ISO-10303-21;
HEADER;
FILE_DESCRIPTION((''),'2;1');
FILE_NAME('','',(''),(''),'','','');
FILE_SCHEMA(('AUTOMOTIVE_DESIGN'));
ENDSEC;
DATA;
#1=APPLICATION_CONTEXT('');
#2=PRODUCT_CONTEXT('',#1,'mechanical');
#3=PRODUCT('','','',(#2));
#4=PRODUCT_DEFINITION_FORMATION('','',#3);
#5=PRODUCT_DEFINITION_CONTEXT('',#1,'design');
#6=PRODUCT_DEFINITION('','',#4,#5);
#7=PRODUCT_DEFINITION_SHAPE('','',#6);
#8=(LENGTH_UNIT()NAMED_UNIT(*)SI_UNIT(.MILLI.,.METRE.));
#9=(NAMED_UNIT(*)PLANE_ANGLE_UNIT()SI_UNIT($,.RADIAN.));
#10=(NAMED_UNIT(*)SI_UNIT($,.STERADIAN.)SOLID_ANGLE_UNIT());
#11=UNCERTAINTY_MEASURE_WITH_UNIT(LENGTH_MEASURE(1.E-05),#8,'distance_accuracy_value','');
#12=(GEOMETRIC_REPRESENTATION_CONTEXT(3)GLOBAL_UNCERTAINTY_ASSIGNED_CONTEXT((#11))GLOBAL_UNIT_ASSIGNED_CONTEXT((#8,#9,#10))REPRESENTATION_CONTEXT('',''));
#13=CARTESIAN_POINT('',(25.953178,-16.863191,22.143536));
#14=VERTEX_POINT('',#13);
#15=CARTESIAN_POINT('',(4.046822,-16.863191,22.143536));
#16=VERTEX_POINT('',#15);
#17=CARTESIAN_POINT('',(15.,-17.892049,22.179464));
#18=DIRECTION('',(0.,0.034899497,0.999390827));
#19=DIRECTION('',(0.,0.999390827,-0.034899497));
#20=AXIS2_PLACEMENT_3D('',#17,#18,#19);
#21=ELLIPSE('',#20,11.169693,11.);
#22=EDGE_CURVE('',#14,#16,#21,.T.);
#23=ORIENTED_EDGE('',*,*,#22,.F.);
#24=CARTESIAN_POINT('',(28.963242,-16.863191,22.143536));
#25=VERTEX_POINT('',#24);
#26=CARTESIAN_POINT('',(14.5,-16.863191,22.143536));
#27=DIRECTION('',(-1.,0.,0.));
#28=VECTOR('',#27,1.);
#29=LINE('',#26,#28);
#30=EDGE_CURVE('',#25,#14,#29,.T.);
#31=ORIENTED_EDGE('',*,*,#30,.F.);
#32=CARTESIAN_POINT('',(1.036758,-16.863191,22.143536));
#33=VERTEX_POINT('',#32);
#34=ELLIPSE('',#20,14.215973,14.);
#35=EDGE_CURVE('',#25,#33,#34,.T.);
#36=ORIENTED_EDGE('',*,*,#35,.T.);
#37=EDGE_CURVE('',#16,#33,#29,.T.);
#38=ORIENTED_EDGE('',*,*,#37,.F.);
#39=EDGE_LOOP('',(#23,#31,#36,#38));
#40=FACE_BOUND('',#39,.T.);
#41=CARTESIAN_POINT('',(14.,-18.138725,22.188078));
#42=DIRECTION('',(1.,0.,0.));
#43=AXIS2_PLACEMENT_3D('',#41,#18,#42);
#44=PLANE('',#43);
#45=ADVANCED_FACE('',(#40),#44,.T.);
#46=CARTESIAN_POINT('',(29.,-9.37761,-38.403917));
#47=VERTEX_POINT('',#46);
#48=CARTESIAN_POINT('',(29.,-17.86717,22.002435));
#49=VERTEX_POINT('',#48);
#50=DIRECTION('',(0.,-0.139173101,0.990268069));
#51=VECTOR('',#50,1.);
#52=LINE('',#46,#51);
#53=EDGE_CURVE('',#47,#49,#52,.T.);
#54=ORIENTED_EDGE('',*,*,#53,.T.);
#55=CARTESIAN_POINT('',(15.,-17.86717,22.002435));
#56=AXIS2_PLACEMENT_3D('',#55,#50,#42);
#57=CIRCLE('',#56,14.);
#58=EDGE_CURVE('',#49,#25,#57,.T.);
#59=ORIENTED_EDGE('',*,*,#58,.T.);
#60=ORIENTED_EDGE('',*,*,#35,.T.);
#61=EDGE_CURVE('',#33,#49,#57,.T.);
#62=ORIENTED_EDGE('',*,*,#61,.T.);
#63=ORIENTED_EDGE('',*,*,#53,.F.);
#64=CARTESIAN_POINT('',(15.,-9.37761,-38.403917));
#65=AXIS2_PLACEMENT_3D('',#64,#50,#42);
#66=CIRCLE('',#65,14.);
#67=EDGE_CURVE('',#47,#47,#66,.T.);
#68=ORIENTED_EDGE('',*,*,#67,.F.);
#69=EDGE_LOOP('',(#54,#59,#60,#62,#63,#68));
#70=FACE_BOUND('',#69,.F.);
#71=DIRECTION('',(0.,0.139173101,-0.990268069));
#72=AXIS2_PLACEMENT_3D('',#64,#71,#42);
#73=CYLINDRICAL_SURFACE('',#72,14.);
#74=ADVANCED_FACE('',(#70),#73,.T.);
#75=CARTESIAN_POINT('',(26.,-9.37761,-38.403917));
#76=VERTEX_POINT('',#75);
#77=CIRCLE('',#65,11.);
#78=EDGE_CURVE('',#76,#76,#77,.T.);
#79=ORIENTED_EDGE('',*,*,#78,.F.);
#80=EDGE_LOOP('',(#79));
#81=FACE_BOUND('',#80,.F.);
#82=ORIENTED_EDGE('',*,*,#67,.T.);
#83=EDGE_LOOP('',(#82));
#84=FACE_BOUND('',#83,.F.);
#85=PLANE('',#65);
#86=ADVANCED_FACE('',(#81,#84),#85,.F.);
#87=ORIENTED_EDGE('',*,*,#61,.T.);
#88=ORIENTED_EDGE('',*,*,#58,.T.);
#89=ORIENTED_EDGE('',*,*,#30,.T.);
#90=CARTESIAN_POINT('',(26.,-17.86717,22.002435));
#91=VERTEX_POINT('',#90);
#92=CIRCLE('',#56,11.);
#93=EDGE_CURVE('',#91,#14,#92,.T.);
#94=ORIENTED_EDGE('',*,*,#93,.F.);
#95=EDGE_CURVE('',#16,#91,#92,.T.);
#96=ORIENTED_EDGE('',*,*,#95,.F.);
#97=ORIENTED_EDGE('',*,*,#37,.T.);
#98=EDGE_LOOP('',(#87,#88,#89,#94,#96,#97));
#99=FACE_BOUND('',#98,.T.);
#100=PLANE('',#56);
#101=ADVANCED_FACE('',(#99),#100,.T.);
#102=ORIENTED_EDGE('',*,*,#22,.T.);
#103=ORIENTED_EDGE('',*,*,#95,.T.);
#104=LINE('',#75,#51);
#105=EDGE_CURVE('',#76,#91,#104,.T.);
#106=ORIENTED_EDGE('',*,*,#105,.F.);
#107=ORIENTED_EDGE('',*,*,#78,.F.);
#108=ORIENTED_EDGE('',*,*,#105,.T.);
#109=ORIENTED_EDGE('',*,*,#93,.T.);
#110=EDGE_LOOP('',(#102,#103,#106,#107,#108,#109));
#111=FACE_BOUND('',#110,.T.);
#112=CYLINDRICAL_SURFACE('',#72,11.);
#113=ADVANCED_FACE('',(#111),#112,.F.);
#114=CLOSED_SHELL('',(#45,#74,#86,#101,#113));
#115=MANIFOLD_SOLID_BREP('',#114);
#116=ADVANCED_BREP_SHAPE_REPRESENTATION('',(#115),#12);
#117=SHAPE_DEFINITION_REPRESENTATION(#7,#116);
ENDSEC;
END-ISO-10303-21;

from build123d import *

# Parameters (mm, degrees)
CYLINDER009_R          = 11
CYLINDER009_DEPTH      = 61
BOX020_W               = 32
BOX020_H               = 32
BOX020_DEPTH           = 8
BOX020_PLACEMENT_ANGLE = 10
CYLINDER008_R          = 14
CYLINDER008_DEPTH      = 61
CUT014_PLACEMENT_ANGLE = 8


with BuildPart() as tubepunch:
    # Cylinder009 → Cylinder009 (new body)
    with BuildSketch(Plane(origin=(15, -20, -39), x_dir=(1, 0, 0), z_dir=(0, 0, 1))):
        Circle(CYLINDER009_R)
    extrude(amount=CYLINDER009_DEPTH)


with BuildPart() as fusion010:
    # Box020 → Box020 (new body)
    with BuildSketch(Plane.XY):
        with Locations((16, 16)):
            Rectangle(BOX020_W, BOX020_H)
    extrude(amount=BOX020_DEPTH)


with BuildPart() as fusion010_1:
    # Box020 placement: moved
    add(fusion010.part.moved(Location((-2, -36, 25))).rotate(Axis((-2, -36, 25), (-1, 0, 0)), BOX020_PLACEMENT_ANGLE))

    # Fusion010: union TubePunch
    add(tubepunch.part)


with BuildPart() as tube:
    # Cylinder008 → Cylinder008 (new body)
    with BuildSketch(Plane(origin=(15, -20, -39), x_dir=(1, 0, 0), z_dir=(0, 0, 1))):
        Circle(CYLINDER008_R)
    extrude(amount=CYLINDER008_DEPTH)

    # Cut014: cut Fusion010
    add(fusion010_1.part, mode=Mode.SUBTRACT)


with BuildPart() as tube_1:
    # Cut014 placement: moved
    add(tube.part.moved(Location((0, 5, 3))).rotate(Axis((0, 5, 3), (1, 0, 0)), CUT014_PLACEMENT_ANGLE))


solid = tube_1.part
